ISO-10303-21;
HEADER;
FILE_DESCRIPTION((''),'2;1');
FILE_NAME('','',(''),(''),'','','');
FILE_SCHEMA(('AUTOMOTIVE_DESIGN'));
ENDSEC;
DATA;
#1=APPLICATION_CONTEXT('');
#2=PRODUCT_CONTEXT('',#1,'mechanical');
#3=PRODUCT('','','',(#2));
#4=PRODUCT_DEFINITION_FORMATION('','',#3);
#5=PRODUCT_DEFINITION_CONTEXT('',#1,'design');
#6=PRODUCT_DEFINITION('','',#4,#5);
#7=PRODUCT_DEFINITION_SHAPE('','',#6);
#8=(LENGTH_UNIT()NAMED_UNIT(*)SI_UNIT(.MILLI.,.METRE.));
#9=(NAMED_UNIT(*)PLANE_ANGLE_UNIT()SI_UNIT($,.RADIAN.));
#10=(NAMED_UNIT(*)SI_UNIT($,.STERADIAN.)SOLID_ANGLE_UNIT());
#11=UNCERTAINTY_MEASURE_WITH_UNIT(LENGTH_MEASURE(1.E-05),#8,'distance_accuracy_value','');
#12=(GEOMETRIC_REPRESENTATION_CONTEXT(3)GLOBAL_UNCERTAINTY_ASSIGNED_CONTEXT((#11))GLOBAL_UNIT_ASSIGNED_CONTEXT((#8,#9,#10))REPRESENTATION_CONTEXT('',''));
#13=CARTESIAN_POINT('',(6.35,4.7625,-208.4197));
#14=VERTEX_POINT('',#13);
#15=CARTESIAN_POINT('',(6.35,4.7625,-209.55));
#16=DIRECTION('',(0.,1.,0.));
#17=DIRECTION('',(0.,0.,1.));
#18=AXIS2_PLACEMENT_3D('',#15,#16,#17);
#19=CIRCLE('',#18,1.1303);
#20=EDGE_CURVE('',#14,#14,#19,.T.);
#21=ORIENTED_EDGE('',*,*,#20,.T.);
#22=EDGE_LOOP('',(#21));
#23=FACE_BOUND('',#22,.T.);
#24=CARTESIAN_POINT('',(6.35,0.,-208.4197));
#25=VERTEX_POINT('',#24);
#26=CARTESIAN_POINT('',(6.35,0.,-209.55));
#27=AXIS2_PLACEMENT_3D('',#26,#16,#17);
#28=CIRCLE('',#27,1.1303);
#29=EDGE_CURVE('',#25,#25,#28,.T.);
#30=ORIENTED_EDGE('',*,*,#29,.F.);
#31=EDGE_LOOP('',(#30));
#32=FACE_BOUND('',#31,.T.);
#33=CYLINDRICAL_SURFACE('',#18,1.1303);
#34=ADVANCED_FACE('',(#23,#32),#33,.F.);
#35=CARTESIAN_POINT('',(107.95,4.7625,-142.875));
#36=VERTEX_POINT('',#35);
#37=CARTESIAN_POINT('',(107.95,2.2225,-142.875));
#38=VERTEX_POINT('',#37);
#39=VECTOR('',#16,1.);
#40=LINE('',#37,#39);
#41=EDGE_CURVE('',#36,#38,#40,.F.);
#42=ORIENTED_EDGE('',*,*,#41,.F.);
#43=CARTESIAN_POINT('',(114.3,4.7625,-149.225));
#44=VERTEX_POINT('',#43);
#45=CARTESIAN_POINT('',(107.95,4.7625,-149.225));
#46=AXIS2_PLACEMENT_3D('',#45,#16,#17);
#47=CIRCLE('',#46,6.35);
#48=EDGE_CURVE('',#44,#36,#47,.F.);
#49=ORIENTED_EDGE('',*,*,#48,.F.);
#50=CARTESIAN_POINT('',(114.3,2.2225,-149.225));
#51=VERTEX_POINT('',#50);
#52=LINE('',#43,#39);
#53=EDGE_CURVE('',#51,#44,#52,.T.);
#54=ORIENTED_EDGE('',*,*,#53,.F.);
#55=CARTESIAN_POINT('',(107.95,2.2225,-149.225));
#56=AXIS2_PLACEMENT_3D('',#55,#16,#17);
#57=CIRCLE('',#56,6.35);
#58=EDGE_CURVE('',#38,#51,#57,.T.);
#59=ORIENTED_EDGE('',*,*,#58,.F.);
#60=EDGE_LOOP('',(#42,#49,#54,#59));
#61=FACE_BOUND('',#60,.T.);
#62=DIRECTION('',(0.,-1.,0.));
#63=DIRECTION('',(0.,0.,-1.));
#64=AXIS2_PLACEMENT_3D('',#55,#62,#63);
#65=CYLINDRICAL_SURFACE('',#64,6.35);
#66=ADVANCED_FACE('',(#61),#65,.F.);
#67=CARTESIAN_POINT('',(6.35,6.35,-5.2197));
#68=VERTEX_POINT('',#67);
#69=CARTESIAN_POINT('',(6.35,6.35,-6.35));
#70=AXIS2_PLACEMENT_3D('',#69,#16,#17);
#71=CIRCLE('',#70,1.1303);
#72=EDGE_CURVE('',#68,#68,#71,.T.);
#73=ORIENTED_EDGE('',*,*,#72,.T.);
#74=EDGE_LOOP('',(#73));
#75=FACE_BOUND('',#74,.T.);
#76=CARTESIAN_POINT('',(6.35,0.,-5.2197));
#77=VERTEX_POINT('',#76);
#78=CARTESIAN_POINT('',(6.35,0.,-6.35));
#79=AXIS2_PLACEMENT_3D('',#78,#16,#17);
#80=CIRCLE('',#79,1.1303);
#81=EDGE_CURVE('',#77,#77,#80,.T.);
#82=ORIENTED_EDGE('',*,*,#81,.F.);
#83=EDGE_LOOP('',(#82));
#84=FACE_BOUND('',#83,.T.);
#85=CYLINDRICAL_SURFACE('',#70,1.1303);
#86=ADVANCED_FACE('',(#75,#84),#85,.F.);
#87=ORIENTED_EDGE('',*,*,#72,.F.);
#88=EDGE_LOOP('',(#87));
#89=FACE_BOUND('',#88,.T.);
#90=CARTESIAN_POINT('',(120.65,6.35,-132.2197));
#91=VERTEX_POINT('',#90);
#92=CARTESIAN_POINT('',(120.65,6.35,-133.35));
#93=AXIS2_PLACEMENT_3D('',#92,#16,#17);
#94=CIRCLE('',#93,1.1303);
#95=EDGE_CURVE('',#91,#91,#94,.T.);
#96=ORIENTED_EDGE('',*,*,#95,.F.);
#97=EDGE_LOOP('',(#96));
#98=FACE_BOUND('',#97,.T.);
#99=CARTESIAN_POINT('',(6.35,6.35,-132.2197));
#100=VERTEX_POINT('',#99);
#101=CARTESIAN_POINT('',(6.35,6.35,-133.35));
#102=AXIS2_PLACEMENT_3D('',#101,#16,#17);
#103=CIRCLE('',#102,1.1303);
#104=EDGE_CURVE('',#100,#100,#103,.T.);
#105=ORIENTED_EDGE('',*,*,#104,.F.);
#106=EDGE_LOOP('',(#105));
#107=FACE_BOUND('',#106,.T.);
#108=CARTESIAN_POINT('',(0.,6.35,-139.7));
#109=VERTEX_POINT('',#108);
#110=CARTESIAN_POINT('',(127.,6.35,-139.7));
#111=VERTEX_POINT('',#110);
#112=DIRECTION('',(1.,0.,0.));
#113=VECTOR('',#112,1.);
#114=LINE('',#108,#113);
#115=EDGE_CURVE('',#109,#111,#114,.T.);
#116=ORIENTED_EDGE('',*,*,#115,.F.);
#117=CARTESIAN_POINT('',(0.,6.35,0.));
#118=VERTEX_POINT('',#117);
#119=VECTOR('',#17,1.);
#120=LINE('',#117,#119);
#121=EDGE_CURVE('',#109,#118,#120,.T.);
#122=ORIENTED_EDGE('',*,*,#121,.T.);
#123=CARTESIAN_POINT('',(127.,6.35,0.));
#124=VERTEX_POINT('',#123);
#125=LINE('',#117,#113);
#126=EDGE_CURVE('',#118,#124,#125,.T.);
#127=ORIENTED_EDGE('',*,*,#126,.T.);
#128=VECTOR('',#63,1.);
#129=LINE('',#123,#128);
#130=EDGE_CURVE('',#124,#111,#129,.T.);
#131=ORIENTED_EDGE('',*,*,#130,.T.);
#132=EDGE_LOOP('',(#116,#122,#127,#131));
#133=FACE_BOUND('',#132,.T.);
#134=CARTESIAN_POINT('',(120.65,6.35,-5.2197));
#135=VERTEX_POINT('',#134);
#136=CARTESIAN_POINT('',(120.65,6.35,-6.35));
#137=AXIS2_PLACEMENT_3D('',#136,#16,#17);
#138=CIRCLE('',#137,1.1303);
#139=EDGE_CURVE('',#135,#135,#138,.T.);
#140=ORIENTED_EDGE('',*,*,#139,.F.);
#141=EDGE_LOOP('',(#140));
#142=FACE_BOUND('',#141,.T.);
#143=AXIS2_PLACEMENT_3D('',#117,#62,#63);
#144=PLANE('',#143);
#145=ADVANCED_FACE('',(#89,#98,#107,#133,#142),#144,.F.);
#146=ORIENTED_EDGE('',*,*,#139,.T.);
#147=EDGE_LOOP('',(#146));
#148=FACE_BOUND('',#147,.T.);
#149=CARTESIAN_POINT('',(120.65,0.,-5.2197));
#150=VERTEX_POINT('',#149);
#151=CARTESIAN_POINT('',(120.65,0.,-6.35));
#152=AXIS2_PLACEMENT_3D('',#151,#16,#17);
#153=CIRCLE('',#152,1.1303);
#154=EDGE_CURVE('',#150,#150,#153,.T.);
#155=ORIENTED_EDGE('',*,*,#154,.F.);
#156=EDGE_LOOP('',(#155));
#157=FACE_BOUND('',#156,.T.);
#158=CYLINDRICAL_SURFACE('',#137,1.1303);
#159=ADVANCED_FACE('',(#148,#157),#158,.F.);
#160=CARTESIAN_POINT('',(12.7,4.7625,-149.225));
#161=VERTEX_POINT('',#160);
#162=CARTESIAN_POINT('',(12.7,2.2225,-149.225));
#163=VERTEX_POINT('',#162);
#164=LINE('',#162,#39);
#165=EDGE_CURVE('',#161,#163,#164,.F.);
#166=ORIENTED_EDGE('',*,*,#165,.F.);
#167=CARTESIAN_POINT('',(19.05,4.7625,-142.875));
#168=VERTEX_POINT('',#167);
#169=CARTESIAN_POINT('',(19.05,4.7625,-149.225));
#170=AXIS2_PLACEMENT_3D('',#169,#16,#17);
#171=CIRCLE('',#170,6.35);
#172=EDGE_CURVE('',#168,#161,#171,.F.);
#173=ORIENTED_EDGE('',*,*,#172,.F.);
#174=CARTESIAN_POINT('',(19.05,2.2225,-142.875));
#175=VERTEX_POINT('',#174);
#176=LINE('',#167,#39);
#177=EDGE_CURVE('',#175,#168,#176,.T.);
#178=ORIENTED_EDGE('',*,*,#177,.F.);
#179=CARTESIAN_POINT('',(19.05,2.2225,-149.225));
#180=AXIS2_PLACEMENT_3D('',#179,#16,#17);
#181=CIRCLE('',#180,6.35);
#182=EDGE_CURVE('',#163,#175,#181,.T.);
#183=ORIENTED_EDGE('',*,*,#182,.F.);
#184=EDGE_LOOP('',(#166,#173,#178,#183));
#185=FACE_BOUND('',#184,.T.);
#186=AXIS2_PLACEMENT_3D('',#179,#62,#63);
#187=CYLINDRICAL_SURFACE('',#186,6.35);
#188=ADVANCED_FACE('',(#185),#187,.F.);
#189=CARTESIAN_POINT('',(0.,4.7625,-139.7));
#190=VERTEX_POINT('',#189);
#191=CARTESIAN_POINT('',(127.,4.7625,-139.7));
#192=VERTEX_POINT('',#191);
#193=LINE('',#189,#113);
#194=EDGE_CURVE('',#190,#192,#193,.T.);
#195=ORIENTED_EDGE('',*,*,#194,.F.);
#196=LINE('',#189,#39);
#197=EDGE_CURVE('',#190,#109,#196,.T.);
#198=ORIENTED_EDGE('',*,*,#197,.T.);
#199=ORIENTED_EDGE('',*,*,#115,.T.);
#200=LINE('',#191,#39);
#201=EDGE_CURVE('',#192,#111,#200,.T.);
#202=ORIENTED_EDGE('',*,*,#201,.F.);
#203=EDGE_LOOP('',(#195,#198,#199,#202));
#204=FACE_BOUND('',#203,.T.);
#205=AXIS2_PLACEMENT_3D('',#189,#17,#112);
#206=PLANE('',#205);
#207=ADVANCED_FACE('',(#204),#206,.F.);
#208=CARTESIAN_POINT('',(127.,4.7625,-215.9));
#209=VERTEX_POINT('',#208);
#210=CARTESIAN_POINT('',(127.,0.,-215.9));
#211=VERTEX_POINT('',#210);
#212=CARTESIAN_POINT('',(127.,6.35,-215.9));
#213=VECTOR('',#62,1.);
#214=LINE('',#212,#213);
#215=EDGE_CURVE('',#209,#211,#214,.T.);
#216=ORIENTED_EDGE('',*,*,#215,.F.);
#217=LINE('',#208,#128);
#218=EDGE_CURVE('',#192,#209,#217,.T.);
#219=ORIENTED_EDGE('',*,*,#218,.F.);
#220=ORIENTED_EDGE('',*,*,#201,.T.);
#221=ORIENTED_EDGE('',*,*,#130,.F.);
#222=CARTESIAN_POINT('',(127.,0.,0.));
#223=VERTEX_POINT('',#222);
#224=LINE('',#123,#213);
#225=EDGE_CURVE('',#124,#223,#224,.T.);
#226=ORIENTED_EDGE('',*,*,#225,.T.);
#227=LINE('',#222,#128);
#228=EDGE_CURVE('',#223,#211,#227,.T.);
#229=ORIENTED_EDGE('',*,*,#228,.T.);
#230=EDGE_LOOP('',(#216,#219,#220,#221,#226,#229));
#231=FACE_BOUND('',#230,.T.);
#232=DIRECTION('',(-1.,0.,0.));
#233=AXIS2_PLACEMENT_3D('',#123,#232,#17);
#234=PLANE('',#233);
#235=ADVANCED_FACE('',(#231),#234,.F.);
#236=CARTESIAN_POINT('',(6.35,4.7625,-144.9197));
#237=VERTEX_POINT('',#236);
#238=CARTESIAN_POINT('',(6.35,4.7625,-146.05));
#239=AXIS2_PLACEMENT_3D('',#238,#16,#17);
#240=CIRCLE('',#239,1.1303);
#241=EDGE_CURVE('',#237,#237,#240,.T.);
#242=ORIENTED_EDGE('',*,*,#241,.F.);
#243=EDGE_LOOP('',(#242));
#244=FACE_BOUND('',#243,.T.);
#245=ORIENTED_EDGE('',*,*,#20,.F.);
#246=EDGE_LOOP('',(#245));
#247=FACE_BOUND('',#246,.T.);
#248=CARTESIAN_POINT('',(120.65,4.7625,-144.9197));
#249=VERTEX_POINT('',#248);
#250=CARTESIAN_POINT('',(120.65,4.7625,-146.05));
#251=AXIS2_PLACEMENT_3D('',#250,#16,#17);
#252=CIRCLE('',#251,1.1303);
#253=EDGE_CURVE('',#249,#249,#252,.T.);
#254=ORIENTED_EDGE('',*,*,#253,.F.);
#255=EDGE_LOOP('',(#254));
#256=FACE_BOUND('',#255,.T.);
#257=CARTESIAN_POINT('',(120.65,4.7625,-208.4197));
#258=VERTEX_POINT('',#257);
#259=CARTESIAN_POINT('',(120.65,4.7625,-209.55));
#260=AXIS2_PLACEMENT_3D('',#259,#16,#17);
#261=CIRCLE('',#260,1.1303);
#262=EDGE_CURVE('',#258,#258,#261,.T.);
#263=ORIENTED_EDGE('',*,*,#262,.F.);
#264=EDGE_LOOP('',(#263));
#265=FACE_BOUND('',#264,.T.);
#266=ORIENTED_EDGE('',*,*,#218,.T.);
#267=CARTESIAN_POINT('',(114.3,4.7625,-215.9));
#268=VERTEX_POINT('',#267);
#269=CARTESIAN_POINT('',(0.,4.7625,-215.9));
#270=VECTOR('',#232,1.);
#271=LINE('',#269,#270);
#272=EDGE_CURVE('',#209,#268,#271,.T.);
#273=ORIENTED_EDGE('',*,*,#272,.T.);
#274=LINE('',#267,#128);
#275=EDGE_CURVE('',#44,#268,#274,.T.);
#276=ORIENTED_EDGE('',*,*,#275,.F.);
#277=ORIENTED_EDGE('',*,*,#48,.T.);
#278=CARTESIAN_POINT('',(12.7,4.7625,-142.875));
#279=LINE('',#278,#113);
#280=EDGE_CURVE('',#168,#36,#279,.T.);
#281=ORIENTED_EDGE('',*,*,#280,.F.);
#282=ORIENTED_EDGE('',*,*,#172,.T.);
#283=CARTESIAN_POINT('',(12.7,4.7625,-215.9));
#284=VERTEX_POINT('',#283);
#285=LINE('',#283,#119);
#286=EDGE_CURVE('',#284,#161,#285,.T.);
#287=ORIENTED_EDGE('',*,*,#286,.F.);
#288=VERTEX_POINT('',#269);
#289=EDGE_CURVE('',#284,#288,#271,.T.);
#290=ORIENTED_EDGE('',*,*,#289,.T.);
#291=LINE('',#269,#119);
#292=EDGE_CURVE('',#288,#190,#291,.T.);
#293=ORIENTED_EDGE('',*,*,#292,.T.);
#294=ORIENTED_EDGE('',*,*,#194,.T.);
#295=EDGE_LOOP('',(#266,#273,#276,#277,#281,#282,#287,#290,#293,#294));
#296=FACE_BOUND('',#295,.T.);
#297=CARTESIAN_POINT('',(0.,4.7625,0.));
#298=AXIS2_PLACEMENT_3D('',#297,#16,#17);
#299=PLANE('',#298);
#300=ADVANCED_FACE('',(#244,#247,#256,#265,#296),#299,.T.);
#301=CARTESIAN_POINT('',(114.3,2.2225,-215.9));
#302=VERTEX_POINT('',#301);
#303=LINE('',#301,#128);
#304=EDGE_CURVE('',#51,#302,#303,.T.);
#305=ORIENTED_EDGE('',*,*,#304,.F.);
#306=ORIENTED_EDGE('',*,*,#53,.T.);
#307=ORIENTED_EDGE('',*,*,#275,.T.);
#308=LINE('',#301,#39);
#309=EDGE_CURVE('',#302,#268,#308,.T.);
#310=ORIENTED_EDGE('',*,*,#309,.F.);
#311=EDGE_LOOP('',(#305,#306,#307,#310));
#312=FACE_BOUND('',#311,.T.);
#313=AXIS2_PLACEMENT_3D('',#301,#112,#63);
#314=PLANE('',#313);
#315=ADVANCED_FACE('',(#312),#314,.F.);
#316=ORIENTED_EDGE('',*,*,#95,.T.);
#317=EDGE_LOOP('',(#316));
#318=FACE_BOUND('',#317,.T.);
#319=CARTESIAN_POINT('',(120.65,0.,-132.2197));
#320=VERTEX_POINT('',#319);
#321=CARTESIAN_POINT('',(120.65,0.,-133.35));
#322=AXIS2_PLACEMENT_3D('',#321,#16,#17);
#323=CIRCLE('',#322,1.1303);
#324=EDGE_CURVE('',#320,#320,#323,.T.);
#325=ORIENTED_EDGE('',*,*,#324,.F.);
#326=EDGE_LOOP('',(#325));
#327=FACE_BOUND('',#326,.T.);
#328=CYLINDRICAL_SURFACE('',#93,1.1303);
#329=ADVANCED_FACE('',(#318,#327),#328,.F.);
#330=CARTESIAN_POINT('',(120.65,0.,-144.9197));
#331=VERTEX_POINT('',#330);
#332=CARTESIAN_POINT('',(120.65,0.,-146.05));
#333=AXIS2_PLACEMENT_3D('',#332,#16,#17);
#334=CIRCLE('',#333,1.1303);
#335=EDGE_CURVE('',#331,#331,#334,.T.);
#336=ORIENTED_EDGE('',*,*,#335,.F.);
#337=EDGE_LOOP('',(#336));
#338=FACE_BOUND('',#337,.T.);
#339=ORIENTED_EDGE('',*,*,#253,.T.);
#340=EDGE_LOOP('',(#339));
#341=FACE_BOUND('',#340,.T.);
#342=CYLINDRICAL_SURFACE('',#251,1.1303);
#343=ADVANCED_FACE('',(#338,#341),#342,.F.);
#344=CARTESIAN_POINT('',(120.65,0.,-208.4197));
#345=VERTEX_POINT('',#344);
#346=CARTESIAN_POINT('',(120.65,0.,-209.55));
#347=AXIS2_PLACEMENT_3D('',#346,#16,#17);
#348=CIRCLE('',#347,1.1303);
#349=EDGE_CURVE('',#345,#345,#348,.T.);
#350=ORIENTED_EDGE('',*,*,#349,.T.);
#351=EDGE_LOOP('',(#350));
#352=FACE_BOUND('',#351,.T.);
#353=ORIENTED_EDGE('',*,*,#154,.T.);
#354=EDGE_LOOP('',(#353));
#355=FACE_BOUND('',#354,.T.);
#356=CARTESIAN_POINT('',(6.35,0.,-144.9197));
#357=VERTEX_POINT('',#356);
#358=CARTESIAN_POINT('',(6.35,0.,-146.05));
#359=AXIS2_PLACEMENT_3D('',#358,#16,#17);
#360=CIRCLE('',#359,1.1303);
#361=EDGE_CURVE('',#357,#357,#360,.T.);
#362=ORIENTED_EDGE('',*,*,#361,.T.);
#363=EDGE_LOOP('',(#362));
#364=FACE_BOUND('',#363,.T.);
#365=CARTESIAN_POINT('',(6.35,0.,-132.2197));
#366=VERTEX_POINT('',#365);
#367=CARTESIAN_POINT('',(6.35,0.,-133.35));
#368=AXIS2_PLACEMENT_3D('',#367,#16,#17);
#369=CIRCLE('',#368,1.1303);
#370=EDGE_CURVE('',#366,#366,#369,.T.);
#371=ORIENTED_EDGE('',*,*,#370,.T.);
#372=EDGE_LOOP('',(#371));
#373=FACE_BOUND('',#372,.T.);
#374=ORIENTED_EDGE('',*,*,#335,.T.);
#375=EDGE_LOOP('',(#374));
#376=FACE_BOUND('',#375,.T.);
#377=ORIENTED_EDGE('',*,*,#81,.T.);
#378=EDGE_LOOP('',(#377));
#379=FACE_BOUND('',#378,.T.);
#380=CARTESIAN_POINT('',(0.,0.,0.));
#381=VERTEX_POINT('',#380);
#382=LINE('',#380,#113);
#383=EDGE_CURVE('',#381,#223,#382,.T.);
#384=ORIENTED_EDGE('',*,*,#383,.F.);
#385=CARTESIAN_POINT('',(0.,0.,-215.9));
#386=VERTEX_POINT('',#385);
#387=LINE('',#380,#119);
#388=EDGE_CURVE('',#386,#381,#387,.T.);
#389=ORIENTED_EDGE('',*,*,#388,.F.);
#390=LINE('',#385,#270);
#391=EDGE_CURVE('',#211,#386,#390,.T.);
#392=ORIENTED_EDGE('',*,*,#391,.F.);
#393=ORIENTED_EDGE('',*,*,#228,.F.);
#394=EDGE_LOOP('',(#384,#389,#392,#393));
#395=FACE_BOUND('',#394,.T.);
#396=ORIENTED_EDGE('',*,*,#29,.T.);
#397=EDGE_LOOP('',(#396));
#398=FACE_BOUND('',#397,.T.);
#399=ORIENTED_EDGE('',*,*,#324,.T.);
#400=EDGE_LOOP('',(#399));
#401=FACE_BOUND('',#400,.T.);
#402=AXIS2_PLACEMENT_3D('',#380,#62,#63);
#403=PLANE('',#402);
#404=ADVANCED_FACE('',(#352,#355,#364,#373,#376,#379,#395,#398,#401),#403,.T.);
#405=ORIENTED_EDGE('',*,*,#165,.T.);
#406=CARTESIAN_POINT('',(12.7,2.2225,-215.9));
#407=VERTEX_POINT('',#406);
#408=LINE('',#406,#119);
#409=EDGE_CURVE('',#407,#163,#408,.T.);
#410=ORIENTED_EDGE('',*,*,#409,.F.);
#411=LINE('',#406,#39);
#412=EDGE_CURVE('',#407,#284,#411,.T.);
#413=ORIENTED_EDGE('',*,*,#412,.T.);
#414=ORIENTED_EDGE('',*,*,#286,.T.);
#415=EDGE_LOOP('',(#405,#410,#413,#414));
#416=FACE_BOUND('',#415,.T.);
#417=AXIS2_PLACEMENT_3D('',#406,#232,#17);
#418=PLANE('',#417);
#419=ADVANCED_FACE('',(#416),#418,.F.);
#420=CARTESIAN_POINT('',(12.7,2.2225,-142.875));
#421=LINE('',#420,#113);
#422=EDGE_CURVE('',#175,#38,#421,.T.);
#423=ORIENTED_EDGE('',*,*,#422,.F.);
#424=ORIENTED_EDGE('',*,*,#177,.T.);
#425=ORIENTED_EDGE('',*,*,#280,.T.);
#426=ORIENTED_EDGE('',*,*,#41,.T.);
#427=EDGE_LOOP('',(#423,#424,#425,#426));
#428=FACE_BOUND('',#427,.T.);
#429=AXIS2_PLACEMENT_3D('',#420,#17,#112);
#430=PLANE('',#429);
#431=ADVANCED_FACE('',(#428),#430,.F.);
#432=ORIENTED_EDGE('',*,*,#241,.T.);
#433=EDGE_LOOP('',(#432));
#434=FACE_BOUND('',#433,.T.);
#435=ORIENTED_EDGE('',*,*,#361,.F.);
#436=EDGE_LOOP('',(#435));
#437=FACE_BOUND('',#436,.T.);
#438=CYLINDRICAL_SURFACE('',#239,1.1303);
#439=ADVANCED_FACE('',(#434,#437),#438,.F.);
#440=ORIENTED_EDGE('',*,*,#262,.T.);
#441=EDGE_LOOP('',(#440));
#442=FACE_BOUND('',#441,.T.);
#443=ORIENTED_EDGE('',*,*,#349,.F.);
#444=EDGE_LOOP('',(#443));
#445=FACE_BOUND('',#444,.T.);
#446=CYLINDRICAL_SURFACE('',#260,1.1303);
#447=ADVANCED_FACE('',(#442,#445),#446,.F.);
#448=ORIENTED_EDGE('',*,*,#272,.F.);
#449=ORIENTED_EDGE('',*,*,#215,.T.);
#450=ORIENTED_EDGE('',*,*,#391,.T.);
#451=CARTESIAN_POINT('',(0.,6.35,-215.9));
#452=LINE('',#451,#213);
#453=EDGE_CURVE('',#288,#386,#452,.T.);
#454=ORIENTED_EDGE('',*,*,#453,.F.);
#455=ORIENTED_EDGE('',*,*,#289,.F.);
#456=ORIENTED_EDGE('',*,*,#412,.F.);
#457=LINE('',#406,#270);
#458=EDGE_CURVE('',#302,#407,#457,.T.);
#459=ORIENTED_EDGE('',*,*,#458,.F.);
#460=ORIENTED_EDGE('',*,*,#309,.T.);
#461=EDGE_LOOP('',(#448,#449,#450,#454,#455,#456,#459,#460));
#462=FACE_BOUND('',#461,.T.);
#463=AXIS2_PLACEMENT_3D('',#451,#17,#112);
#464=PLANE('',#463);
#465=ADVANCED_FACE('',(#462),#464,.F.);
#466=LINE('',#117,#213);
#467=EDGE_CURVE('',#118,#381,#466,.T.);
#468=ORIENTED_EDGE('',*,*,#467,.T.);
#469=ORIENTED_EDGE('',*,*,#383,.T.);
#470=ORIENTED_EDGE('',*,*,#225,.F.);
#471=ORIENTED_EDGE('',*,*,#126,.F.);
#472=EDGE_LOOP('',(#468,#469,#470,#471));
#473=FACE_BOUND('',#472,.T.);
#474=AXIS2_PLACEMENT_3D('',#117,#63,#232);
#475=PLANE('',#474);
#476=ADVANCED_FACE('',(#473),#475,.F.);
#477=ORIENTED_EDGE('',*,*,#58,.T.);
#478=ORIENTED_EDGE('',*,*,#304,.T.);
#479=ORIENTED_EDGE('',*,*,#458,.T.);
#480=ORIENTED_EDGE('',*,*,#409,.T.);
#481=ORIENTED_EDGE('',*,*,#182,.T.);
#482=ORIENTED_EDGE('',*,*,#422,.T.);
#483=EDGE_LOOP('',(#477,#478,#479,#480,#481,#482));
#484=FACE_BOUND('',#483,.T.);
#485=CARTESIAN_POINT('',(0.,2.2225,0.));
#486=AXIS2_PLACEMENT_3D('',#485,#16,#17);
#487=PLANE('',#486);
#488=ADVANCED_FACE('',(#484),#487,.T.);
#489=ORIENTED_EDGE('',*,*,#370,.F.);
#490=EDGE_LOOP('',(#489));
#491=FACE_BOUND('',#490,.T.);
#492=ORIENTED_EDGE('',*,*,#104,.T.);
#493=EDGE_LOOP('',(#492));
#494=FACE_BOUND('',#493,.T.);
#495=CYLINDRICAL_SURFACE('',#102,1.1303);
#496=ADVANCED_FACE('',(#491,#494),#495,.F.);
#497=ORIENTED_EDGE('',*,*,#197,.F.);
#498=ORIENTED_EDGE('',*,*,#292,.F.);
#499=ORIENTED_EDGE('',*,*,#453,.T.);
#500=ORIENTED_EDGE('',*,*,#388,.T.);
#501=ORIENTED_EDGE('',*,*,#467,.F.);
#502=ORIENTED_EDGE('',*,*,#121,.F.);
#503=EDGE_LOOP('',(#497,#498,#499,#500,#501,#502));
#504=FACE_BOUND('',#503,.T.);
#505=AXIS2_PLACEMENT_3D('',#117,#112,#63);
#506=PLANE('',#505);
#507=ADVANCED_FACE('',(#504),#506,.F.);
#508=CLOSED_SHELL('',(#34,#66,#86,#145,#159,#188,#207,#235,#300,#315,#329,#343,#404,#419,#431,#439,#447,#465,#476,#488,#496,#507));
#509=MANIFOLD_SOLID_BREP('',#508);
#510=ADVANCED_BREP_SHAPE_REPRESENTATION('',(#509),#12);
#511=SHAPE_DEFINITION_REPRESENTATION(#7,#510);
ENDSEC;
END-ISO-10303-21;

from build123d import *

# Parameters (mm, degrees)
SKETCH1_W                   = 127
SKETCH1_H                   = 215.9
BOSS_EXTRUDE1_DEPTH         = 6.35
SKETCH3_W                   = 127
SKETCH3_H                   = 76.2
CUT_EXTRUDE1_DEPTH          = 1.5875
F_43_0_089_DIAMETER_HOLE1_D = 2.2606
F_43_0_089_DIAMETER_HOLE2_D = 2.2606
SKETCH8_W                   = 101.6
SKETCH8_H                   = 73.025
CUT_EXTRUDE2_DEPTH          = 2.54
FILLET1_R                   = 6.35


with BuildPart() as part:
    # Sketch1 → Boss-Extrude1 (new body)
    with BuildSketch(Plane(origin=(0, 0, 0), x_dir=(1, 0, 0), z_dir=(0, 1, 0))):
        with Locations((63.5, 107.95)):
            Rectangle(SKETCH1_W, SKETCH1_H)
    extrude(amount=BOSS_EXTRUDE1_DEPTH)

    # Sketch3 → Cut-Extrude1 (cut)
    with BuildSketch(Plane(origin=(0, 6.35, 0), x_dir=(1, 0, 0), z_dir=(0, 1, 0))):
        with Locations((63.5, 177.8)):
            Rectangle(SKETCH3_W, SKETCH3_H)
    extrude(amount=-CUT_EXTRUDE1_DEPTH, mode=Mode.SUBTRACT)

    # #43 (0.089) Diameter Hole1 (through all)
    with Locations(Plane(origin=(0, 4.7625, 0), x_dir=(1, 0, 0), z_dir=(0, 1, 0))):
        with Locations((6.35, 209.55), (6.35, 146.05), (120.65, 146.05), (120.65, 209.55)):
            Hole(F_43_0_089_DIAMETER_HOLE1_D / 2)

    # #43 (0.089) Diameter Hole2 (through all)
    with Locations(Plane(origin=(0, 6.35, 0), x_dir=(1, 0, 0), z_dir=(0, 1, 0))):
        with Locations((6.35, 6.35), (120.65, 6.35), (6.35, 133.35), (120.65, 133.35)):
            Hole(F_43_0_089_DIAMETER_HOLE2_D / 2)

    # Sketch8 → Cut-Extrude2 (cut)
    with BuildSketch(Plane(origin=(0, 4.7625, 0), x_dir=(1, 0, 0), z_dir=(0, 1, 0))):
        with Locations((63.5, 179.3875)):
            Rectangle(SKETCH8_W, SKETCH8_H)
    extrude(amount=-CUT_EXTRUDE2_DEPTH, mode=Mode.SUBTRACT)

    # Fillet1
    fillet1_edges = [part.edges().sort_by_distance(p)[0] for p in [
        (12.7, 3.4925, -142.875),
        (114.3, 3.4925, -142.875),
    ]]
    fillet(fillet1_edges, radius=FILLET1_R)


solid = part.part
